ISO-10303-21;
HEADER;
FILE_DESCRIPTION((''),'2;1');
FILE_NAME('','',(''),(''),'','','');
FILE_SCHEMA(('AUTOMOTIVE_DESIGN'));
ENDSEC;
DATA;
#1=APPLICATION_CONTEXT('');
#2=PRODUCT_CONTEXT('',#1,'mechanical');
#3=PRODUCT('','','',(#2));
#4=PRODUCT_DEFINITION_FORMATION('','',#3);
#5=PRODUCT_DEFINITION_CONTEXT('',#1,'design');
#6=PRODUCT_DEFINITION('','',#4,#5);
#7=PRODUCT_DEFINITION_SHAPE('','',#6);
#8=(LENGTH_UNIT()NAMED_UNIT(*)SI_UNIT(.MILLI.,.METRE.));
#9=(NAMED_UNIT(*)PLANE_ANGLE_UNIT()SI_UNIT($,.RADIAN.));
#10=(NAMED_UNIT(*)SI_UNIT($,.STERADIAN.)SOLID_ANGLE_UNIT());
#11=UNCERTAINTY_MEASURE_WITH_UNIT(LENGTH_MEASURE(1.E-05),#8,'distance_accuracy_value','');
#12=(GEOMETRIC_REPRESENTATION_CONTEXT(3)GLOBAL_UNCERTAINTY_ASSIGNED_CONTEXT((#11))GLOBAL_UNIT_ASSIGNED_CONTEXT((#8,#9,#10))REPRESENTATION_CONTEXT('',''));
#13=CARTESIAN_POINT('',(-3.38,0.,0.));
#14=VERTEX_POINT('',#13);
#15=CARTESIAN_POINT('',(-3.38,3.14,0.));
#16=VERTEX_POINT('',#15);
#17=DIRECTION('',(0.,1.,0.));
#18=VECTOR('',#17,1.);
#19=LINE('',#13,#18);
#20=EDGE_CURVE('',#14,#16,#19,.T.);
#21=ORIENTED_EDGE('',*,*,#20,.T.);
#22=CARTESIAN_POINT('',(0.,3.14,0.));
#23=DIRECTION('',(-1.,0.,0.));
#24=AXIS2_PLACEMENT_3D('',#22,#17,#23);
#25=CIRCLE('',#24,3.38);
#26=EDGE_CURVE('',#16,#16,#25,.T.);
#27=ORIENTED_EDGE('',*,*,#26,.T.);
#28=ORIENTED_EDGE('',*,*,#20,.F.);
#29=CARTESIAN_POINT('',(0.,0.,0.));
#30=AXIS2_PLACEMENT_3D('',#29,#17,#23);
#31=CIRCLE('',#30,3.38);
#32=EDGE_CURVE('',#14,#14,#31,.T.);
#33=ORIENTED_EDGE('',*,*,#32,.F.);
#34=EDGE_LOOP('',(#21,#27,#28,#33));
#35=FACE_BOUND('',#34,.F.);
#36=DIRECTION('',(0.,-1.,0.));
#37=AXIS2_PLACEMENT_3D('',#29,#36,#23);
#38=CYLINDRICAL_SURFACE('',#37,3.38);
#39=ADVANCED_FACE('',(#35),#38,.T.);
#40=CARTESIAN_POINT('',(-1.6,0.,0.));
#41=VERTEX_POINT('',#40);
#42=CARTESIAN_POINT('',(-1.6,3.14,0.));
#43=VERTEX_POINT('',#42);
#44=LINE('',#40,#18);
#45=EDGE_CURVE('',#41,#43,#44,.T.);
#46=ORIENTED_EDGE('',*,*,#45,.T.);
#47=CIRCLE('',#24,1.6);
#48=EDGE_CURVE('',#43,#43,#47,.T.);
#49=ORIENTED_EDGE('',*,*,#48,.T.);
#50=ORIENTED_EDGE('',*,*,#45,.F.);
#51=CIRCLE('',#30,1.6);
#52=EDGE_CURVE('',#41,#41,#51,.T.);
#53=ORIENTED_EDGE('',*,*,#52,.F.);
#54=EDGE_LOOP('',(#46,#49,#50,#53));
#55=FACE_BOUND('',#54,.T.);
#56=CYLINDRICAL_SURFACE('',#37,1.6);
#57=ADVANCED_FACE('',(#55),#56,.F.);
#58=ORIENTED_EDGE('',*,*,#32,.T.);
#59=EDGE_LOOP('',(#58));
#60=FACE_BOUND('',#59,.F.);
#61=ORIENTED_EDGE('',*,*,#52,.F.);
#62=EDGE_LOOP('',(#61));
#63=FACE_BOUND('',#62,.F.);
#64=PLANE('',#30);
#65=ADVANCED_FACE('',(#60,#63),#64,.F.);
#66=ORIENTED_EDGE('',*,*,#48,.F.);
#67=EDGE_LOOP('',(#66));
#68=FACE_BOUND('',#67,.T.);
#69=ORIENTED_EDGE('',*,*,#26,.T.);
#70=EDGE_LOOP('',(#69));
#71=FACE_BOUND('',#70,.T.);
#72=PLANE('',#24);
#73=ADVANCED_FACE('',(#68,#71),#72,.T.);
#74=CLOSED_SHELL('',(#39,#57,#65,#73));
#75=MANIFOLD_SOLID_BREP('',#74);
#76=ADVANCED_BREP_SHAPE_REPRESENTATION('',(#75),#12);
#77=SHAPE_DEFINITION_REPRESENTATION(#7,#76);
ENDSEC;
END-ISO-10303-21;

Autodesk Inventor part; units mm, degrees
ref_plane "YZ Plane" through (0, 0, 0) normal (1, 0, 0) x (0, 1, 0)
ref_plane "XZ Plane" through (0, 0, 0) normal (0, 1, 0) x (-1, 0, 0)
ref_plane "XY Plane" through (0, 0, 0) normal (0, 0, 1) x (1, 0, 0)
sketch "Sketch1" plane through (0, 0, 0) normal (0, 1, 0) x (-1, 0, 0)
  circle A0 centre (0, 0) radius 3.38
  circle A1 centre (0, 0) radius 1.6
  dimension "d0" = 6.76
  dimension "d1" = 3.2
extrude "Extrusion1" add sketch "Sketch1" along normal blind 3.14
properties part number "distance_small"
